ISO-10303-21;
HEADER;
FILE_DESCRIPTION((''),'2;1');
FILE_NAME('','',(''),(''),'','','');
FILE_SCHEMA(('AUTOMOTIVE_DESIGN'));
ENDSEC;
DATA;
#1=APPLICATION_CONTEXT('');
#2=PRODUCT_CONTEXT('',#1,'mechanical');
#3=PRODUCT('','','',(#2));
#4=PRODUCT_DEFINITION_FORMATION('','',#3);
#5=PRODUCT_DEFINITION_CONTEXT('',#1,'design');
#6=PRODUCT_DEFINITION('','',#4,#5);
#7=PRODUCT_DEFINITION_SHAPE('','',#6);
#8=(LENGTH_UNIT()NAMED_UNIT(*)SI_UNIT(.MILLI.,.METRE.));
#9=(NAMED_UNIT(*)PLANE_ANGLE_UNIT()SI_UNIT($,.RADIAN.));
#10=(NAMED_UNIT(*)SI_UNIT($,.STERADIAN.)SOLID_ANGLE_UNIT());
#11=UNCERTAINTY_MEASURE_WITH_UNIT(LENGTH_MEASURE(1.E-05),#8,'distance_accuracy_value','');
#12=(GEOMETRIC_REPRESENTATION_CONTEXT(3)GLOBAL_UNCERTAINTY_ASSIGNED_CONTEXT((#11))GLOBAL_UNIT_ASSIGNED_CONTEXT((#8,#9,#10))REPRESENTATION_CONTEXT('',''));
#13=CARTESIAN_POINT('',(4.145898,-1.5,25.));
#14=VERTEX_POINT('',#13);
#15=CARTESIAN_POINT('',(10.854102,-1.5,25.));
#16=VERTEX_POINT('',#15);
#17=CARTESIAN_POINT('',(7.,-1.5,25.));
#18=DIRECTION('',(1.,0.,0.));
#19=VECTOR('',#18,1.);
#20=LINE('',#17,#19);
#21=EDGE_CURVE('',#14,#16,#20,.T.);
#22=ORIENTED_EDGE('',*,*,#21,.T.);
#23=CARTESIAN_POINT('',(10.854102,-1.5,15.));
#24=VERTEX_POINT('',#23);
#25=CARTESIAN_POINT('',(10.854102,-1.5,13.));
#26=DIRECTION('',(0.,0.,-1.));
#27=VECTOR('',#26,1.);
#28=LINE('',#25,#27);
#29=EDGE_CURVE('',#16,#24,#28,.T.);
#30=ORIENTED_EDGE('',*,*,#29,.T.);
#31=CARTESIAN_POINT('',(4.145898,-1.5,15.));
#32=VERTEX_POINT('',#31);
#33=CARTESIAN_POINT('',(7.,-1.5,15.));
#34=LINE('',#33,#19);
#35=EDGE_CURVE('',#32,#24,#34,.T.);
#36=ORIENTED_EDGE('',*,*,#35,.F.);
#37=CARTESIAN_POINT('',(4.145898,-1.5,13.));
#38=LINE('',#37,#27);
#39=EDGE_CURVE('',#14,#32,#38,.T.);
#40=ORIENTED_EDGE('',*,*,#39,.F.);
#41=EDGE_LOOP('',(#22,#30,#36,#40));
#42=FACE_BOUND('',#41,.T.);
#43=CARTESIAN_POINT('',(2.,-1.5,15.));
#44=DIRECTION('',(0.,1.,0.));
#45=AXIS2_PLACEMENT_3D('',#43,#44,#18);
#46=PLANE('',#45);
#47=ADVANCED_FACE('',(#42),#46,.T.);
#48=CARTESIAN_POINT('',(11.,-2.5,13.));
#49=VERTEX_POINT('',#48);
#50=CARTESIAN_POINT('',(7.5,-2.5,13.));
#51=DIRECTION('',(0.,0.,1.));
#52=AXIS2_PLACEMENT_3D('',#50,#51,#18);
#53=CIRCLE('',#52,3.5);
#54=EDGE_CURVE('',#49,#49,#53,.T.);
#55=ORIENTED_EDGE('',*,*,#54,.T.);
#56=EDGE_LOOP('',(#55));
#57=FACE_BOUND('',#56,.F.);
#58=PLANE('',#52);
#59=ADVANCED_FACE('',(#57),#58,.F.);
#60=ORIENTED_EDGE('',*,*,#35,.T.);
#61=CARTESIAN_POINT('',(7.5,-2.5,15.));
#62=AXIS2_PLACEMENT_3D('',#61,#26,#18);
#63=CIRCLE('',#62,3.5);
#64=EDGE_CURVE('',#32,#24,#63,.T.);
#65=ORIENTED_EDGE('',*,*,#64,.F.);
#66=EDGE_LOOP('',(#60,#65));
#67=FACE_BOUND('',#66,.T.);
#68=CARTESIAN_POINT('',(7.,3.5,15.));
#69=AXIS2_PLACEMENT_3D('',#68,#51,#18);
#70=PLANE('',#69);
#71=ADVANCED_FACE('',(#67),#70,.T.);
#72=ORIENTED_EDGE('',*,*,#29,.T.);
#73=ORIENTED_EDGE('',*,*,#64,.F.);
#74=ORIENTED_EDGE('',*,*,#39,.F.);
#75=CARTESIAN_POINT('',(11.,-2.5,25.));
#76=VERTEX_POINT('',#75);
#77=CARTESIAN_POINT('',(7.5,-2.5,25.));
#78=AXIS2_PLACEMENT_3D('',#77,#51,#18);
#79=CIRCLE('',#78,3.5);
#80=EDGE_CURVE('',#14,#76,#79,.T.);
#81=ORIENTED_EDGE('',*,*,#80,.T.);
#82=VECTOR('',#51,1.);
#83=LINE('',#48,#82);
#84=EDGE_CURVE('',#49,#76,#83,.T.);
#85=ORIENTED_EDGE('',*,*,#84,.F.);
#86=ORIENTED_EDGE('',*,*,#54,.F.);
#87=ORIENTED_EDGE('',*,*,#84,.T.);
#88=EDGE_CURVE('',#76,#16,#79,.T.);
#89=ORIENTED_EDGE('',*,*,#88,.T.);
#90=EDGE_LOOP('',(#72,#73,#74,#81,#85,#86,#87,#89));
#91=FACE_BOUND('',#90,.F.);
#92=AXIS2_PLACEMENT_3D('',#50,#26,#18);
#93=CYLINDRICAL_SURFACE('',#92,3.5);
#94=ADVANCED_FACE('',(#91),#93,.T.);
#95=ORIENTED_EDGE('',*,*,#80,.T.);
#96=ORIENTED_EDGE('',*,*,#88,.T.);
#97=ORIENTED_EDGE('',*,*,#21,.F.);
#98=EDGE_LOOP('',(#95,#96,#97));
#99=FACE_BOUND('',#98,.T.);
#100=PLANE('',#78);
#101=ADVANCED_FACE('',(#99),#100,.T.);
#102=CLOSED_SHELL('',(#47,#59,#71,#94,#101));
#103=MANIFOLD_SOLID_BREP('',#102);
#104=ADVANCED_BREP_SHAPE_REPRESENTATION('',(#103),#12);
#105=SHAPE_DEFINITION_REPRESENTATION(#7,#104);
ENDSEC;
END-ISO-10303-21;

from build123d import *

# Parameters (mm, degrees)
BOX001_W          = 10
BOX001_H          = 10
BOX001_DEPTH      = 10
CYLINDER002_R     = 3.5
CYLINDER002_DEPTH = 12


with BuildPart() as w_rfel001:
    # Box001 → Box001 (new body)
    with BuildSketch(Plane(origin=(2, -1.5, 15), x_dir=(1, 0, 0), z_dir=(0, 0, 1))):
        with Locations((5, 5)):
            Rectangle(BOX001_W, BOX001_H)
    extrude(amount=BOX001_DEPTH)


with BuildPart() as cut:
    # Cylinder002 → Cylinder002 (new body)
    with BuildSketch(Plane(origin=(7.5, -2.5, 13), x_dir=(1, 0, 0), z_dir=(0, 0, 1))):
        Circle(CYLINDER002_R)
    extrude(amount=CYLINDER002_DEPTH)

    # Cut: cut Würfel001
    add(w_rfel001.part, mode=Mode.SUBTRACT)


solid = cut.part
